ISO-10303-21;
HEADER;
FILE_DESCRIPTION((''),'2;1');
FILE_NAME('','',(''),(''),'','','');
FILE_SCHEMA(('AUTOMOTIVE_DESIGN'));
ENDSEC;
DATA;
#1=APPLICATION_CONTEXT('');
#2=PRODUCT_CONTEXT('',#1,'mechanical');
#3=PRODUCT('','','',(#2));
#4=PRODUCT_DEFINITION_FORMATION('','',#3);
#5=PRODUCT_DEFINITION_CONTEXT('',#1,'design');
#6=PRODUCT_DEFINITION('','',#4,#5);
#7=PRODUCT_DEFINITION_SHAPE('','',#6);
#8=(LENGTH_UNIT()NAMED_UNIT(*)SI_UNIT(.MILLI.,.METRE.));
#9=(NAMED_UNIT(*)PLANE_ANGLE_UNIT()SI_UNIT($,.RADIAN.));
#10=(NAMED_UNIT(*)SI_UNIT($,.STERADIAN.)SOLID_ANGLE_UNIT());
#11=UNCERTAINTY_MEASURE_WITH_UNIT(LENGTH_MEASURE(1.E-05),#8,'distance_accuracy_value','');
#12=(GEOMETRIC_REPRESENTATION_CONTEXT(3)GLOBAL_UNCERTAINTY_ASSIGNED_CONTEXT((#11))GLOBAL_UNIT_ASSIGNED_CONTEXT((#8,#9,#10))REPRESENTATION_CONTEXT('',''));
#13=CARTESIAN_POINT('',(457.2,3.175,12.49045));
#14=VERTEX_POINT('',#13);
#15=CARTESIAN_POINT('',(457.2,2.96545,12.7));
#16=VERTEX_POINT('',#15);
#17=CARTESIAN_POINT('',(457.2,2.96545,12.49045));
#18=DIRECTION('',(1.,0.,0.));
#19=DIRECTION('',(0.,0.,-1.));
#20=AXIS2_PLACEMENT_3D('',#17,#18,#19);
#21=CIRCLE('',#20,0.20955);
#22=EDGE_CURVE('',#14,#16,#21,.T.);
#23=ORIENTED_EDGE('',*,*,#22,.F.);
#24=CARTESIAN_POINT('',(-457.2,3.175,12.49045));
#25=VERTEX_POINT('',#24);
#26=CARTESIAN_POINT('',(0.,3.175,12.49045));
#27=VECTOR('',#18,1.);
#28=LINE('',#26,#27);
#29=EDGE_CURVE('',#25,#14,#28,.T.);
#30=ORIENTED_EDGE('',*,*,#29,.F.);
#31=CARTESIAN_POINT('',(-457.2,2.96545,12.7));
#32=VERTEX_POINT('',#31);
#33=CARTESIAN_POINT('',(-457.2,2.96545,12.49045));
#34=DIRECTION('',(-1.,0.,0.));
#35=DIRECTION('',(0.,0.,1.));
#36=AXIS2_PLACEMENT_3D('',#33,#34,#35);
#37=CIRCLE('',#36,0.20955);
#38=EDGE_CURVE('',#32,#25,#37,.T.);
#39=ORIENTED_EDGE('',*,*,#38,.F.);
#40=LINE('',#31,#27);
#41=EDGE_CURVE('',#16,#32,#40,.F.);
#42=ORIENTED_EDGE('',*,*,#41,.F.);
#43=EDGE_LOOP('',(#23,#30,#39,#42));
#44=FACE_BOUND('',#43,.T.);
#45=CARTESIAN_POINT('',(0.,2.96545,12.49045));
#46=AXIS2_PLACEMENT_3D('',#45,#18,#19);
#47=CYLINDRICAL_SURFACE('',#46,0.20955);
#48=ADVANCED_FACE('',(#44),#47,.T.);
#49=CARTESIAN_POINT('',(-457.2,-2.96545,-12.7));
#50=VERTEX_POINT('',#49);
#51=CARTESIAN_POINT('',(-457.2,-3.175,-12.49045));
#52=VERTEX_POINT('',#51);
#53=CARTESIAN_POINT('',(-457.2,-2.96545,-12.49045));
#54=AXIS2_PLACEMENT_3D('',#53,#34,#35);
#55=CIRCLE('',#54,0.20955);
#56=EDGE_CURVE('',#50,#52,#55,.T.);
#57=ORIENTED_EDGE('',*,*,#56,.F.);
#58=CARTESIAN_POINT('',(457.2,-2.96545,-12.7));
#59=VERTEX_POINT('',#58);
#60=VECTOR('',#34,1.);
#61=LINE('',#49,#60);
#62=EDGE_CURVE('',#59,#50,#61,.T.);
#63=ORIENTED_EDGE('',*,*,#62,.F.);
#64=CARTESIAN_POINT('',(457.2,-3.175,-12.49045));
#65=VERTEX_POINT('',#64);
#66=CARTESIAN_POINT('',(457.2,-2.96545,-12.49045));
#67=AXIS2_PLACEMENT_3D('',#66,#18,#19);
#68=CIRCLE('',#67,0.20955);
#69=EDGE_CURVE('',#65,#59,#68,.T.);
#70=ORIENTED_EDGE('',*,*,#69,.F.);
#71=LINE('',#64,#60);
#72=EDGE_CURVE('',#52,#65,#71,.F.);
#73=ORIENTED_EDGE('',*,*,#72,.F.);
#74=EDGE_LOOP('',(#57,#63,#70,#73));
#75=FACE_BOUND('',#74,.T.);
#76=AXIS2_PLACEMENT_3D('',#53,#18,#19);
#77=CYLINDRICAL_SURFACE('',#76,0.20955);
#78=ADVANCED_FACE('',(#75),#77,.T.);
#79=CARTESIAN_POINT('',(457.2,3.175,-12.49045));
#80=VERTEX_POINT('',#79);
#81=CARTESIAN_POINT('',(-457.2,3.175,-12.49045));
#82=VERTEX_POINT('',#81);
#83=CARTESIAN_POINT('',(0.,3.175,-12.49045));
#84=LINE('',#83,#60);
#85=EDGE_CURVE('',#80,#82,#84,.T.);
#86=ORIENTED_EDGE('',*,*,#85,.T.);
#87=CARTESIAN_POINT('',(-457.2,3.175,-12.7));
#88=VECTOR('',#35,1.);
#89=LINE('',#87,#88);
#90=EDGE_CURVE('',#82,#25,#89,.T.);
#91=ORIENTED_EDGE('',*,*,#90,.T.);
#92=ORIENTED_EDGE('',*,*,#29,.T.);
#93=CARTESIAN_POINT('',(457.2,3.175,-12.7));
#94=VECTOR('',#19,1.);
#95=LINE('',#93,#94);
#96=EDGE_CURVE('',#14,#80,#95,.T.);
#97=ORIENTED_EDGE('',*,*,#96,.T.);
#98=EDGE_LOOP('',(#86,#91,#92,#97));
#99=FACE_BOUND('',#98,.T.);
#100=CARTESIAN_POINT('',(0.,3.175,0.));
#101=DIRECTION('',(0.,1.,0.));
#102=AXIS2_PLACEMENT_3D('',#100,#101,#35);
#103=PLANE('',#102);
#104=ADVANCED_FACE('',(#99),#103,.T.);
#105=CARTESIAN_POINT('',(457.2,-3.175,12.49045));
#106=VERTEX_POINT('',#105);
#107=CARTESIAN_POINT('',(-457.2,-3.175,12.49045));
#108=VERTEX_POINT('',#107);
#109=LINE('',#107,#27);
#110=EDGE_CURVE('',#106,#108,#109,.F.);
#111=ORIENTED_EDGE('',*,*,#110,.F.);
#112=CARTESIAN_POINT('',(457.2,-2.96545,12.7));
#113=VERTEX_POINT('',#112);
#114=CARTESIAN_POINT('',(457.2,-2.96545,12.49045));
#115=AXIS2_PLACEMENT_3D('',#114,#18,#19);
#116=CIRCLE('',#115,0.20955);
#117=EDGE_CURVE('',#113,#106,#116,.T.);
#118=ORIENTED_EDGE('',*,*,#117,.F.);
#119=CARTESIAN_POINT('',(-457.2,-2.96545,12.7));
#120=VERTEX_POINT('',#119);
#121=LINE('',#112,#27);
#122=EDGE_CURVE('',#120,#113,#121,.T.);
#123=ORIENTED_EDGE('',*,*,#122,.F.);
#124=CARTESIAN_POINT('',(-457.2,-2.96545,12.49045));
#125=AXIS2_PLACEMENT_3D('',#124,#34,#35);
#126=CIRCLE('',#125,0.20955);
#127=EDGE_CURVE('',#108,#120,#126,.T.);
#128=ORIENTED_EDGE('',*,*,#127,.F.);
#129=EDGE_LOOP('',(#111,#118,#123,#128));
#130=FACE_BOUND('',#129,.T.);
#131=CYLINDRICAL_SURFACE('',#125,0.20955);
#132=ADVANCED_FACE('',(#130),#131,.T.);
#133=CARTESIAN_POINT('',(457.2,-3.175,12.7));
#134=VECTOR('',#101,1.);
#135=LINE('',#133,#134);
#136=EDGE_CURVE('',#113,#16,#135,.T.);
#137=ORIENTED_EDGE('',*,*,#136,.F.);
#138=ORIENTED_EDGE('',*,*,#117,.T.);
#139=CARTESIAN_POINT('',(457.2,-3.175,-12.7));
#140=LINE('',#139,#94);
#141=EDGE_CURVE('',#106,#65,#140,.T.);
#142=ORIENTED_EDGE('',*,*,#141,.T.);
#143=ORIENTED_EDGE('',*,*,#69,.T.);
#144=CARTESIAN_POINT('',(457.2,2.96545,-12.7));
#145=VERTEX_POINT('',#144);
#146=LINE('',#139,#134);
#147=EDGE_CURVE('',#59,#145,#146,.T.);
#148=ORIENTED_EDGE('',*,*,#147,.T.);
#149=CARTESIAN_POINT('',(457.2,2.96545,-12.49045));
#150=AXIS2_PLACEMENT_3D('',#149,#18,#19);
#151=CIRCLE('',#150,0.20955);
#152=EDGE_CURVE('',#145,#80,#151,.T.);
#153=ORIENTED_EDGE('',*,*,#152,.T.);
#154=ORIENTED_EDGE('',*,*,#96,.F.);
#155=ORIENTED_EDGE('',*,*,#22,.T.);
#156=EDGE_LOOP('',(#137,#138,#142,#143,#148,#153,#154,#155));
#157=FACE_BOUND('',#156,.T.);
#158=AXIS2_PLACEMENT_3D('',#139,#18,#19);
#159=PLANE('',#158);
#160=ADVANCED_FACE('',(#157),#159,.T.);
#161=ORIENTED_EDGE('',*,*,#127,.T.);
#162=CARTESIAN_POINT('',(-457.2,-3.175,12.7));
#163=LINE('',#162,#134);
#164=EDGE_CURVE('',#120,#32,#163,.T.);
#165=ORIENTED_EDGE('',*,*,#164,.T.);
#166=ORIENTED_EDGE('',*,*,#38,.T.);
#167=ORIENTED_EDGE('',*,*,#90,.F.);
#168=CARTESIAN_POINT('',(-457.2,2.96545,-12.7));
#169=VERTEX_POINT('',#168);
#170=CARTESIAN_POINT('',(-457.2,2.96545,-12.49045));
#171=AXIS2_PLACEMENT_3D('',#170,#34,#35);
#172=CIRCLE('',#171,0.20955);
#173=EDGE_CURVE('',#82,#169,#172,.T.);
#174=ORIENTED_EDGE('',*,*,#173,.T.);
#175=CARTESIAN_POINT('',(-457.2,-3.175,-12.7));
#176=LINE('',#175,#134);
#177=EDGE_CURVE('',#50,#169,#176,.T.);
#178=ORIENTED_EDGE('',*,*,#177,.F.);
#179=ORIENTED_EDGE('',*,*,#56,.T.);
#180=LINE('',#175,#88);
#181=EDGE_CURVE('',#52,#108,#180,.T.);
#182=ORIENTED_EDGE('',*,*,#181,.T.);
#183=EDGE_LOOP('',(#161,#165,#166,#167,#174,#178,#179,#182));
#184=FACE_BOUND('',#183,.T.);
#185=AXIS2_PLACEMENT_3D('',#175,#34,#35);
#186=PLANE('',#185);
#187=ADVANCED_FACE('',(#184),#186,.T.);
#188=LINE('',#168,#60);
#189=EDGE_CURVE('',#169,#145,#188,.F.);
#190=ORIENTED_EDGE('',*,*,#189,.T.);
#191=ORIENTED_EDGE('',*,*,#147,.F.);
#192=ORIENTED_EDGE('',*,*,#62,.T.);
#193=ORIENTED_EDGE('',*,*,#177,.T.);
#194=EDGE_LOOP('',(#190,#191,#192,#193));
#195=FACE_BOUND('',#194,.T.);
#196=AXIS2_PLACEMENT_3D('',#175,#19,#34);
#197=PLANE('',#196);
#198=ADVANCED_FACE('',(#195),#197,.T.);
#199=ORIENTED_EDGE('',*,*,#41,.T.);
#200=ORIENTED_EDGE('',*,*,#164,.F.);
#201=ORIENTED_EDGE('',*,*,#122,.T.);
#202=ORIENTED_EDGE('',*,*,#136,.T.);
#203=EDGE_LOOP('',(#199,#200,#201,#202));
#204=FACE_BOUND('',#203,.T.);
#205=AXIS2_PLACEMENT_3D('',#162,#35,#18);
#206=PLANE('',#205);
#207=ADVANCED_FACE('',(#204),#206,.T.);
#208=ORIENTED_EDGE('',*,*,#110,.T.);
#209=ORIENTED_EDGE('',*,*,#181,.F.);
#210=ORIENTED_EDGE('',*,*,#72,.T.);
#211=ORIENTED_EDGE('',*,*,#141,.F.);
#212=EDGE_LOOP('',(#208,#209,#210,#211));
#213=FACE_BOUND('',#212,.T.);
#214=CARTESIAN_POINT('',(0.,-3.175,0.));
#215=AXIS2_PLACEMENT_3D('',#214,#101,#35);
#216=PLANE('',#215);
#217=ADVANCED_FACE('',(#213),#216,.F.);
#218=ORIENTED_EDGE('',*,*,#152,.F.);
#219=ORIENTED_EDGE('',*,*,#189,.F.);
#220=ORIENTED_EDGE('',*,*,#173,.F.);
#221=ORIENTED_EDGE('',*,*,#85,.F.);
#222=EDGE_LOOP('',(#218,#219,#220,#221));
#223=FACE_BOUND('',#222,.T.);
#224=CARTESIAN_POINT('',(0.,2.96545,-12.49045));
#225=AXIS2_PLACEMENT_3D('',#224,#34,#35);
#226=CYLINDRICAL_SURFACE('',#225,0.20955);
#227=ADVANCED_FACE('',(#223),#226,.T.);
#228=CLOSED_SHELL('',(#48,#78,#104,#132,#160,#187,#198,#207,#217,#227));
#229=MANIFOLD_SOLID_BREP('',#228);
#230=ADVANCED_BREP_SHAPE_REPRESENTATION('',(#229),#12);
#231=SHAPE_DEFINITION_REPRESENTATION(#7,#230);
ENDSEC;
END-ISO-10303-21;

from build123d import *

# Parameters (mm, degrees)
BOSS_EXTRUDE1_DEPTH      = 3.175
BOSS_EXTRUDE1_DEPTH_BACK = 3.175
SKETCH3_W                = 914.4
SKETCH3_H                = 25.4
FILLET1_R                = 0.20955


with BuildPart() as part:
    # Sketch3 → Boss-Extrude1 (new, two sides: drawn at the far end of the back side and taken through both)
    with BuildSketch(Plane(origin=(0, 0, 0), x_dir=(1, 0, 0), z_dir=(0, 1, 0)).offset(-BOSS_EXTRUDE1_DEPTH_BACK)):
        Rectangle(SKETCH3_W, SKETCH3_H)
    extrude(amount=BOSS_EXTRUDE1_DEPTH + BOSS_EXTRUDE1_DEPTH_BACK)

    # Fillet1
    fillet1_edges = [part.edges().sort_by_distance(p)[0] for p in [
        (0, 3.175, 12.7),
        (0, -3.175, -12.7),
        (0, 3.175, -12.7),
        (0, -3.175, 12.7),
    ]]
    fillet(fillet1_edges, radius=FILLET1_R)


solid = part.part
